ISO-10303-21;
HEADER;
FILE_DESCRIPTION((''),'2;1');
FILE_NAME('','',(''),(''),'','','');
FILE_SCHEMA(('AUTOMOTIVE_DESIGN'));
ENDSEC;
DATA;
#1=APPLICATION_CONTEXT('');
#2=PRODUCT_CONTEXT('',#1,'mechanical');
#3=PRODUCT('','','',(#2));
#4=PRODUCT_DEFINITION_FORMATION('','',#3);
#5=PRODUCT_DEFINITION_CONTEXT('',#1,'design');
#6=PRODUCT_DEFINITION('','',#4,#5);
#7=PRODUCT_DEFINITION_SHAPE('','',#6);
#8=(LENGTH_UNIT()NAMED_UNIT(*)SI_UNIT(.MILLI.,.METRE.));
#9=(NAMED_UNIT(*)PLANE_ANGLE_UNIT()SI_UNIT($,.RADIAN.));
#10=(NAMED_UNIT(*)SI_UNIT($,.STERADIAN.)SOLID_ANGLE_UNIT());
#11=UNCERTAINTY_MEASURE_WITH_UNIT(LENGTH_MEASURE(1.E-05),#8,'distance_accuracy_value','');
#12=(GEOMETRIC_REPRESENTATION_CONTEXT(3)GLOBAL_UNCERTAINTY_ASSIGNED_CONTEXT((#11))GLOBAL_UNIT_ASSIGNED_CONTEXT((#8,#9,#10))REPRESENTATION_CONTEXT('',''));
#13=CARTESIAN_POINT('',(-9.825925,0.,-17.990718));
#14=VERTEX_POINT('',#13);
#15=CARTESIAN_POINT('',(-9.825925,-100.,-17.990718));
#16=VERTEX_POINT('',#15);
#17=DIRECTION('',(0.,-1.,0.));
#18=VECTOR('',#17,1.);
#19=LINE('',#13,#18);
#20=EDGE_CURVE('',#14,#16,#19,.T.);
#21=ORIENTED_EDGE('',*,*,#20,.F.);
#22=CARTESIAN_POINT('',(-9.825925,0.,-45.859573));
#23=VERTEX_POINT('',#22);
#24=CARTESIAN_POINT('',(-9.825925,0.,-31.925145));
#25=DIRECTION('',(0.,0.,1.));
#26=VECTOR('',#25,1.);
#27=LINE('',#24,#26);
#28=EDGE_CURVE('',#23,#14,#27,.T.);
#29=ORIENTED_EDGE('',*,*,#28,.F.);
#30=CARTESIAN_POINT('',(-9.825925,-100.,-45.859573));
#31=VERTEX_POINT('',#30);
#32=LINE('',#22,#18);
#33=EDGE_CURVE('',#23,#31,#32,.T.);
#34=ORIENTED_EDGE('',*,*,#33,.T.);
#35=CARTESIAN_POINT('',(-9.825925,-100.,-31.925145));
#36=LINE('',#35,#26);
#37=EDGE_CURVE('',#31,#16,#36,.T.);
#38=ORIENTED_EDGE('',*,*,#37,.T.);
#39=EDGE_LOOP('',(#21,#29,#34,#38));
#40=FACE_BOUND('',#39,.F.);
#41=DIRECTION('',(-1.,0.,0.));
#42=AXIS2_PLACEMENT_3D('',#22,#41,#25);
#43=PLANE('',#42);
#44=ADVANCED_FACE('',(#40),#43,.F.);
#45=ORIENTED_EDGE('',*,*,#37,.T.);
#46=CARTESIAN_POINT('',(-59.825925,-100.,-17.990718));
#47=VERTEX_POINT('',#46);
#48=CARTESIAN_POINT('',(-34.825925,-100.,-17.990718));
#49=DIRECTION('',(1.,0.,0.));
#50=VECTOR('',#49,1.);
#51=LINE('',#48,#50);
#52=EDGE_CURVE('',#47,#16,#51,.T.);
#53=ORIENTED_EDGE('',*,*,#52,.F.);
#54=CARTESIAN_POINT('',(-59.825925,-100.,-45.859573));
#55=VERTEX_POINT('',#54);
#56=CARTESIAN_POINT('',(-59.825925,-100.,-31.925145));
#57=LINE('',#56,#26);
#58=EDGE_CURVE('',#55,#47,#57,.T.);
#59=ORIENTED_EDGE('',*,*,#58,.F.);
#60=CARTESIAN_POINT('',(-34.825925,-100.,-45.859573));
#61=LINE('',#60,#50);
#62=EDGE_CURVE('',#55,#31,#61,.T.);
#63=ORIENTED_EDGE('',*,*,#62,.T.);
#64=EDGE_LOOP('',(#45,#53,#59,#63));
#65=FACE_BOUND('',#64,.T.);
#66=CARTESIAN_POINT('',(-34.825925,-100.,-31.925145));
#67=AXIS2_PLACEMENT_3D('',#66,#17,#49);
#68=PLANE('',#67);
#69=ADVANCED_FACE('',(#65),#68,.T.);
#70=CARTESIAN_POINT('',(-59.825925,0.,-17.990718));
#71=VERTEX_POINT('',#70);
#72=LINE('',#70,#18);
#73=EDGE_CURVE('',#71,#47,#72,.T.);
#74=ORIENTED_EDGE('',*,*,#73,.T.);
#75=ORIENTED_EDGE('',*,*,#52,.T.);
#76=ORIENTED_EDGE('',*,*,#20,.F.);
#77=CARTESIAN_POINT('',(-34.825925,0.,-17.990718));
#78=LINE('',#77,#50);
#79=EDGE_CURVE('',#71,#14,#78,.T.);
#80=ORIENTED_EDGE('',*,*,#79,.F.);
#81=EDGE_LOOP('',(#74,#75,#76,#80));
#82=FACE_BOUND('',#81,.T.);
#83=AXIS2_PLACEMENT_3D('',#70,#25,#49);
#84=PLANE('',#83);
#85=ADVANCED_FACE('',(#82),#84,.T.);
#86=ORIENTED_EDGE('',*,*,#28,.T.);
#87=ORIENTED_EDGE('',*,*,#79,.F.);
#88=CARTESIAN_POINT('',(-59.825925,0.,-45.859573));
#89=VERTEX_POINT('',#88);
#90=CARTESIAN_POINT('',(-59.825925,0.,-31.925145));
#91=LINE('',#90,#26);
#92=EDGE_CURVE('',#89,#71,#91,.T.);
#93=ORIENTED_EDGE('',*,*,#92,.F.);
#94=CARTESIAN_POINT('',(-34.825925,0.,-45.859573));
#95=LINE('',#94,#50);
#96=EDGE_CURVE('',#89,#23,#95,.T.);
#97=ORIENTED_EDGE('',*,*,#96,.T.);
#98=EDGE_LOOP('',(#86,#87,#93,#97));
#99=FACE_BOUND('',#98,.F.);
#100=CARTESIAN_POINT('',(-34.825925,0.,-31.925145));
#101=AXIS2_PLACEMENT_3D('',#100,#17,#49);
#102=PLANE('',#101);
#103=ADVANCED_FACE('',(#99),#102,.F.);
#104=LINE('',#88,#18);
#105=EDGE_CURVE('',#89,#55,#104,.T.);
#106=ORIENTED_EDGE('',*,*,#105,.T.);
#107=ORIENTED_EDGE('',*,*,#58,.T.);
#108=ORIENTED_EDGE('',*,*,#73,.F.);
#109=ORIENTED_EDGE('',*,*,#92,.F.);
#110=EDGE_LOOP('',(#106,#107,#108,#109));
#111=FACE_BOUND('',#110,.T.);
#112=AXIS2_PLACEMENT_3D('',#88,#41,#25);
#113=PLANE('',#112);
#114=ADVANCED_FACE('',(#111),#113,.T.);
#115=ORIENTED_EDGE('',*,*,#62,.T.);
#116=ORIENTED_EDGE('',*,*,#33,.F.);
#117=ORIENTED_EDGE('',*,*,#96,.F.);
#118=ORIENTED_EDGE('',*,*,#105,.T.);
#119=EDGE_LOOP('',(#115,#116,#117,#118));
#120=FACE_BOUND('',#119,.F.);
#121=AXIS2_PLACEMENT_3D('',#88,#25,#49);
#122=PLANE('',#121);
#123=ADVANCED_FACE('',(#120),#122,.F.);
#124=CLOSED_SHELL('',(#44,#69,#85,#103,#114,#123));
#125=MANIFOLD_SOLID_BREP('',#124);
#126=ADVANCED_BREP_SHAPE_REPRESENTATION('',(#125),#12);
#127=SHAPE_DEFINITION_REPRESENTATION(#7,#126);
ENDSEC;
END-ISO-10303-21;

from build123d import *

# Parameters (mm, degrees)
F1_DEPTH = 100
F0_R     = 15.3620181697
F0_W     = 50
F0_H     = 27.8688543963


with BuildPart() as f1:
    # F0 (on Front) → F1 (new body)
    with BuildSketch(Plane.XZ):
        Polygon((-50.8095297794, 0), (-29.4980568604, 0), (0, 29.5502637848), (0, 52.0912465749), align=None)
    extrude(amount=F1_DEPTH)


with BuildPart() as f1b:
    # F0 (on Front) → F1, piece 2 (new body)
    with BuildSketch(Plane.XZ):
        with Locations((29.9281747926, 34.0584610181)):
            Circle(F0_R)
    extrude(amount=F1_DEPTH)


with BuildPart() as f1c:
    # F0 (on Front) → F1, piece 3 (new body)
    with BuildSketch(Plane.XZ):
        with Locations((-34.8259250902, -31.9251453594)):
            Rectangle(F0_W, F0_H)
    extrude(amount=F1_DEPTH)


solid = f1c.part
